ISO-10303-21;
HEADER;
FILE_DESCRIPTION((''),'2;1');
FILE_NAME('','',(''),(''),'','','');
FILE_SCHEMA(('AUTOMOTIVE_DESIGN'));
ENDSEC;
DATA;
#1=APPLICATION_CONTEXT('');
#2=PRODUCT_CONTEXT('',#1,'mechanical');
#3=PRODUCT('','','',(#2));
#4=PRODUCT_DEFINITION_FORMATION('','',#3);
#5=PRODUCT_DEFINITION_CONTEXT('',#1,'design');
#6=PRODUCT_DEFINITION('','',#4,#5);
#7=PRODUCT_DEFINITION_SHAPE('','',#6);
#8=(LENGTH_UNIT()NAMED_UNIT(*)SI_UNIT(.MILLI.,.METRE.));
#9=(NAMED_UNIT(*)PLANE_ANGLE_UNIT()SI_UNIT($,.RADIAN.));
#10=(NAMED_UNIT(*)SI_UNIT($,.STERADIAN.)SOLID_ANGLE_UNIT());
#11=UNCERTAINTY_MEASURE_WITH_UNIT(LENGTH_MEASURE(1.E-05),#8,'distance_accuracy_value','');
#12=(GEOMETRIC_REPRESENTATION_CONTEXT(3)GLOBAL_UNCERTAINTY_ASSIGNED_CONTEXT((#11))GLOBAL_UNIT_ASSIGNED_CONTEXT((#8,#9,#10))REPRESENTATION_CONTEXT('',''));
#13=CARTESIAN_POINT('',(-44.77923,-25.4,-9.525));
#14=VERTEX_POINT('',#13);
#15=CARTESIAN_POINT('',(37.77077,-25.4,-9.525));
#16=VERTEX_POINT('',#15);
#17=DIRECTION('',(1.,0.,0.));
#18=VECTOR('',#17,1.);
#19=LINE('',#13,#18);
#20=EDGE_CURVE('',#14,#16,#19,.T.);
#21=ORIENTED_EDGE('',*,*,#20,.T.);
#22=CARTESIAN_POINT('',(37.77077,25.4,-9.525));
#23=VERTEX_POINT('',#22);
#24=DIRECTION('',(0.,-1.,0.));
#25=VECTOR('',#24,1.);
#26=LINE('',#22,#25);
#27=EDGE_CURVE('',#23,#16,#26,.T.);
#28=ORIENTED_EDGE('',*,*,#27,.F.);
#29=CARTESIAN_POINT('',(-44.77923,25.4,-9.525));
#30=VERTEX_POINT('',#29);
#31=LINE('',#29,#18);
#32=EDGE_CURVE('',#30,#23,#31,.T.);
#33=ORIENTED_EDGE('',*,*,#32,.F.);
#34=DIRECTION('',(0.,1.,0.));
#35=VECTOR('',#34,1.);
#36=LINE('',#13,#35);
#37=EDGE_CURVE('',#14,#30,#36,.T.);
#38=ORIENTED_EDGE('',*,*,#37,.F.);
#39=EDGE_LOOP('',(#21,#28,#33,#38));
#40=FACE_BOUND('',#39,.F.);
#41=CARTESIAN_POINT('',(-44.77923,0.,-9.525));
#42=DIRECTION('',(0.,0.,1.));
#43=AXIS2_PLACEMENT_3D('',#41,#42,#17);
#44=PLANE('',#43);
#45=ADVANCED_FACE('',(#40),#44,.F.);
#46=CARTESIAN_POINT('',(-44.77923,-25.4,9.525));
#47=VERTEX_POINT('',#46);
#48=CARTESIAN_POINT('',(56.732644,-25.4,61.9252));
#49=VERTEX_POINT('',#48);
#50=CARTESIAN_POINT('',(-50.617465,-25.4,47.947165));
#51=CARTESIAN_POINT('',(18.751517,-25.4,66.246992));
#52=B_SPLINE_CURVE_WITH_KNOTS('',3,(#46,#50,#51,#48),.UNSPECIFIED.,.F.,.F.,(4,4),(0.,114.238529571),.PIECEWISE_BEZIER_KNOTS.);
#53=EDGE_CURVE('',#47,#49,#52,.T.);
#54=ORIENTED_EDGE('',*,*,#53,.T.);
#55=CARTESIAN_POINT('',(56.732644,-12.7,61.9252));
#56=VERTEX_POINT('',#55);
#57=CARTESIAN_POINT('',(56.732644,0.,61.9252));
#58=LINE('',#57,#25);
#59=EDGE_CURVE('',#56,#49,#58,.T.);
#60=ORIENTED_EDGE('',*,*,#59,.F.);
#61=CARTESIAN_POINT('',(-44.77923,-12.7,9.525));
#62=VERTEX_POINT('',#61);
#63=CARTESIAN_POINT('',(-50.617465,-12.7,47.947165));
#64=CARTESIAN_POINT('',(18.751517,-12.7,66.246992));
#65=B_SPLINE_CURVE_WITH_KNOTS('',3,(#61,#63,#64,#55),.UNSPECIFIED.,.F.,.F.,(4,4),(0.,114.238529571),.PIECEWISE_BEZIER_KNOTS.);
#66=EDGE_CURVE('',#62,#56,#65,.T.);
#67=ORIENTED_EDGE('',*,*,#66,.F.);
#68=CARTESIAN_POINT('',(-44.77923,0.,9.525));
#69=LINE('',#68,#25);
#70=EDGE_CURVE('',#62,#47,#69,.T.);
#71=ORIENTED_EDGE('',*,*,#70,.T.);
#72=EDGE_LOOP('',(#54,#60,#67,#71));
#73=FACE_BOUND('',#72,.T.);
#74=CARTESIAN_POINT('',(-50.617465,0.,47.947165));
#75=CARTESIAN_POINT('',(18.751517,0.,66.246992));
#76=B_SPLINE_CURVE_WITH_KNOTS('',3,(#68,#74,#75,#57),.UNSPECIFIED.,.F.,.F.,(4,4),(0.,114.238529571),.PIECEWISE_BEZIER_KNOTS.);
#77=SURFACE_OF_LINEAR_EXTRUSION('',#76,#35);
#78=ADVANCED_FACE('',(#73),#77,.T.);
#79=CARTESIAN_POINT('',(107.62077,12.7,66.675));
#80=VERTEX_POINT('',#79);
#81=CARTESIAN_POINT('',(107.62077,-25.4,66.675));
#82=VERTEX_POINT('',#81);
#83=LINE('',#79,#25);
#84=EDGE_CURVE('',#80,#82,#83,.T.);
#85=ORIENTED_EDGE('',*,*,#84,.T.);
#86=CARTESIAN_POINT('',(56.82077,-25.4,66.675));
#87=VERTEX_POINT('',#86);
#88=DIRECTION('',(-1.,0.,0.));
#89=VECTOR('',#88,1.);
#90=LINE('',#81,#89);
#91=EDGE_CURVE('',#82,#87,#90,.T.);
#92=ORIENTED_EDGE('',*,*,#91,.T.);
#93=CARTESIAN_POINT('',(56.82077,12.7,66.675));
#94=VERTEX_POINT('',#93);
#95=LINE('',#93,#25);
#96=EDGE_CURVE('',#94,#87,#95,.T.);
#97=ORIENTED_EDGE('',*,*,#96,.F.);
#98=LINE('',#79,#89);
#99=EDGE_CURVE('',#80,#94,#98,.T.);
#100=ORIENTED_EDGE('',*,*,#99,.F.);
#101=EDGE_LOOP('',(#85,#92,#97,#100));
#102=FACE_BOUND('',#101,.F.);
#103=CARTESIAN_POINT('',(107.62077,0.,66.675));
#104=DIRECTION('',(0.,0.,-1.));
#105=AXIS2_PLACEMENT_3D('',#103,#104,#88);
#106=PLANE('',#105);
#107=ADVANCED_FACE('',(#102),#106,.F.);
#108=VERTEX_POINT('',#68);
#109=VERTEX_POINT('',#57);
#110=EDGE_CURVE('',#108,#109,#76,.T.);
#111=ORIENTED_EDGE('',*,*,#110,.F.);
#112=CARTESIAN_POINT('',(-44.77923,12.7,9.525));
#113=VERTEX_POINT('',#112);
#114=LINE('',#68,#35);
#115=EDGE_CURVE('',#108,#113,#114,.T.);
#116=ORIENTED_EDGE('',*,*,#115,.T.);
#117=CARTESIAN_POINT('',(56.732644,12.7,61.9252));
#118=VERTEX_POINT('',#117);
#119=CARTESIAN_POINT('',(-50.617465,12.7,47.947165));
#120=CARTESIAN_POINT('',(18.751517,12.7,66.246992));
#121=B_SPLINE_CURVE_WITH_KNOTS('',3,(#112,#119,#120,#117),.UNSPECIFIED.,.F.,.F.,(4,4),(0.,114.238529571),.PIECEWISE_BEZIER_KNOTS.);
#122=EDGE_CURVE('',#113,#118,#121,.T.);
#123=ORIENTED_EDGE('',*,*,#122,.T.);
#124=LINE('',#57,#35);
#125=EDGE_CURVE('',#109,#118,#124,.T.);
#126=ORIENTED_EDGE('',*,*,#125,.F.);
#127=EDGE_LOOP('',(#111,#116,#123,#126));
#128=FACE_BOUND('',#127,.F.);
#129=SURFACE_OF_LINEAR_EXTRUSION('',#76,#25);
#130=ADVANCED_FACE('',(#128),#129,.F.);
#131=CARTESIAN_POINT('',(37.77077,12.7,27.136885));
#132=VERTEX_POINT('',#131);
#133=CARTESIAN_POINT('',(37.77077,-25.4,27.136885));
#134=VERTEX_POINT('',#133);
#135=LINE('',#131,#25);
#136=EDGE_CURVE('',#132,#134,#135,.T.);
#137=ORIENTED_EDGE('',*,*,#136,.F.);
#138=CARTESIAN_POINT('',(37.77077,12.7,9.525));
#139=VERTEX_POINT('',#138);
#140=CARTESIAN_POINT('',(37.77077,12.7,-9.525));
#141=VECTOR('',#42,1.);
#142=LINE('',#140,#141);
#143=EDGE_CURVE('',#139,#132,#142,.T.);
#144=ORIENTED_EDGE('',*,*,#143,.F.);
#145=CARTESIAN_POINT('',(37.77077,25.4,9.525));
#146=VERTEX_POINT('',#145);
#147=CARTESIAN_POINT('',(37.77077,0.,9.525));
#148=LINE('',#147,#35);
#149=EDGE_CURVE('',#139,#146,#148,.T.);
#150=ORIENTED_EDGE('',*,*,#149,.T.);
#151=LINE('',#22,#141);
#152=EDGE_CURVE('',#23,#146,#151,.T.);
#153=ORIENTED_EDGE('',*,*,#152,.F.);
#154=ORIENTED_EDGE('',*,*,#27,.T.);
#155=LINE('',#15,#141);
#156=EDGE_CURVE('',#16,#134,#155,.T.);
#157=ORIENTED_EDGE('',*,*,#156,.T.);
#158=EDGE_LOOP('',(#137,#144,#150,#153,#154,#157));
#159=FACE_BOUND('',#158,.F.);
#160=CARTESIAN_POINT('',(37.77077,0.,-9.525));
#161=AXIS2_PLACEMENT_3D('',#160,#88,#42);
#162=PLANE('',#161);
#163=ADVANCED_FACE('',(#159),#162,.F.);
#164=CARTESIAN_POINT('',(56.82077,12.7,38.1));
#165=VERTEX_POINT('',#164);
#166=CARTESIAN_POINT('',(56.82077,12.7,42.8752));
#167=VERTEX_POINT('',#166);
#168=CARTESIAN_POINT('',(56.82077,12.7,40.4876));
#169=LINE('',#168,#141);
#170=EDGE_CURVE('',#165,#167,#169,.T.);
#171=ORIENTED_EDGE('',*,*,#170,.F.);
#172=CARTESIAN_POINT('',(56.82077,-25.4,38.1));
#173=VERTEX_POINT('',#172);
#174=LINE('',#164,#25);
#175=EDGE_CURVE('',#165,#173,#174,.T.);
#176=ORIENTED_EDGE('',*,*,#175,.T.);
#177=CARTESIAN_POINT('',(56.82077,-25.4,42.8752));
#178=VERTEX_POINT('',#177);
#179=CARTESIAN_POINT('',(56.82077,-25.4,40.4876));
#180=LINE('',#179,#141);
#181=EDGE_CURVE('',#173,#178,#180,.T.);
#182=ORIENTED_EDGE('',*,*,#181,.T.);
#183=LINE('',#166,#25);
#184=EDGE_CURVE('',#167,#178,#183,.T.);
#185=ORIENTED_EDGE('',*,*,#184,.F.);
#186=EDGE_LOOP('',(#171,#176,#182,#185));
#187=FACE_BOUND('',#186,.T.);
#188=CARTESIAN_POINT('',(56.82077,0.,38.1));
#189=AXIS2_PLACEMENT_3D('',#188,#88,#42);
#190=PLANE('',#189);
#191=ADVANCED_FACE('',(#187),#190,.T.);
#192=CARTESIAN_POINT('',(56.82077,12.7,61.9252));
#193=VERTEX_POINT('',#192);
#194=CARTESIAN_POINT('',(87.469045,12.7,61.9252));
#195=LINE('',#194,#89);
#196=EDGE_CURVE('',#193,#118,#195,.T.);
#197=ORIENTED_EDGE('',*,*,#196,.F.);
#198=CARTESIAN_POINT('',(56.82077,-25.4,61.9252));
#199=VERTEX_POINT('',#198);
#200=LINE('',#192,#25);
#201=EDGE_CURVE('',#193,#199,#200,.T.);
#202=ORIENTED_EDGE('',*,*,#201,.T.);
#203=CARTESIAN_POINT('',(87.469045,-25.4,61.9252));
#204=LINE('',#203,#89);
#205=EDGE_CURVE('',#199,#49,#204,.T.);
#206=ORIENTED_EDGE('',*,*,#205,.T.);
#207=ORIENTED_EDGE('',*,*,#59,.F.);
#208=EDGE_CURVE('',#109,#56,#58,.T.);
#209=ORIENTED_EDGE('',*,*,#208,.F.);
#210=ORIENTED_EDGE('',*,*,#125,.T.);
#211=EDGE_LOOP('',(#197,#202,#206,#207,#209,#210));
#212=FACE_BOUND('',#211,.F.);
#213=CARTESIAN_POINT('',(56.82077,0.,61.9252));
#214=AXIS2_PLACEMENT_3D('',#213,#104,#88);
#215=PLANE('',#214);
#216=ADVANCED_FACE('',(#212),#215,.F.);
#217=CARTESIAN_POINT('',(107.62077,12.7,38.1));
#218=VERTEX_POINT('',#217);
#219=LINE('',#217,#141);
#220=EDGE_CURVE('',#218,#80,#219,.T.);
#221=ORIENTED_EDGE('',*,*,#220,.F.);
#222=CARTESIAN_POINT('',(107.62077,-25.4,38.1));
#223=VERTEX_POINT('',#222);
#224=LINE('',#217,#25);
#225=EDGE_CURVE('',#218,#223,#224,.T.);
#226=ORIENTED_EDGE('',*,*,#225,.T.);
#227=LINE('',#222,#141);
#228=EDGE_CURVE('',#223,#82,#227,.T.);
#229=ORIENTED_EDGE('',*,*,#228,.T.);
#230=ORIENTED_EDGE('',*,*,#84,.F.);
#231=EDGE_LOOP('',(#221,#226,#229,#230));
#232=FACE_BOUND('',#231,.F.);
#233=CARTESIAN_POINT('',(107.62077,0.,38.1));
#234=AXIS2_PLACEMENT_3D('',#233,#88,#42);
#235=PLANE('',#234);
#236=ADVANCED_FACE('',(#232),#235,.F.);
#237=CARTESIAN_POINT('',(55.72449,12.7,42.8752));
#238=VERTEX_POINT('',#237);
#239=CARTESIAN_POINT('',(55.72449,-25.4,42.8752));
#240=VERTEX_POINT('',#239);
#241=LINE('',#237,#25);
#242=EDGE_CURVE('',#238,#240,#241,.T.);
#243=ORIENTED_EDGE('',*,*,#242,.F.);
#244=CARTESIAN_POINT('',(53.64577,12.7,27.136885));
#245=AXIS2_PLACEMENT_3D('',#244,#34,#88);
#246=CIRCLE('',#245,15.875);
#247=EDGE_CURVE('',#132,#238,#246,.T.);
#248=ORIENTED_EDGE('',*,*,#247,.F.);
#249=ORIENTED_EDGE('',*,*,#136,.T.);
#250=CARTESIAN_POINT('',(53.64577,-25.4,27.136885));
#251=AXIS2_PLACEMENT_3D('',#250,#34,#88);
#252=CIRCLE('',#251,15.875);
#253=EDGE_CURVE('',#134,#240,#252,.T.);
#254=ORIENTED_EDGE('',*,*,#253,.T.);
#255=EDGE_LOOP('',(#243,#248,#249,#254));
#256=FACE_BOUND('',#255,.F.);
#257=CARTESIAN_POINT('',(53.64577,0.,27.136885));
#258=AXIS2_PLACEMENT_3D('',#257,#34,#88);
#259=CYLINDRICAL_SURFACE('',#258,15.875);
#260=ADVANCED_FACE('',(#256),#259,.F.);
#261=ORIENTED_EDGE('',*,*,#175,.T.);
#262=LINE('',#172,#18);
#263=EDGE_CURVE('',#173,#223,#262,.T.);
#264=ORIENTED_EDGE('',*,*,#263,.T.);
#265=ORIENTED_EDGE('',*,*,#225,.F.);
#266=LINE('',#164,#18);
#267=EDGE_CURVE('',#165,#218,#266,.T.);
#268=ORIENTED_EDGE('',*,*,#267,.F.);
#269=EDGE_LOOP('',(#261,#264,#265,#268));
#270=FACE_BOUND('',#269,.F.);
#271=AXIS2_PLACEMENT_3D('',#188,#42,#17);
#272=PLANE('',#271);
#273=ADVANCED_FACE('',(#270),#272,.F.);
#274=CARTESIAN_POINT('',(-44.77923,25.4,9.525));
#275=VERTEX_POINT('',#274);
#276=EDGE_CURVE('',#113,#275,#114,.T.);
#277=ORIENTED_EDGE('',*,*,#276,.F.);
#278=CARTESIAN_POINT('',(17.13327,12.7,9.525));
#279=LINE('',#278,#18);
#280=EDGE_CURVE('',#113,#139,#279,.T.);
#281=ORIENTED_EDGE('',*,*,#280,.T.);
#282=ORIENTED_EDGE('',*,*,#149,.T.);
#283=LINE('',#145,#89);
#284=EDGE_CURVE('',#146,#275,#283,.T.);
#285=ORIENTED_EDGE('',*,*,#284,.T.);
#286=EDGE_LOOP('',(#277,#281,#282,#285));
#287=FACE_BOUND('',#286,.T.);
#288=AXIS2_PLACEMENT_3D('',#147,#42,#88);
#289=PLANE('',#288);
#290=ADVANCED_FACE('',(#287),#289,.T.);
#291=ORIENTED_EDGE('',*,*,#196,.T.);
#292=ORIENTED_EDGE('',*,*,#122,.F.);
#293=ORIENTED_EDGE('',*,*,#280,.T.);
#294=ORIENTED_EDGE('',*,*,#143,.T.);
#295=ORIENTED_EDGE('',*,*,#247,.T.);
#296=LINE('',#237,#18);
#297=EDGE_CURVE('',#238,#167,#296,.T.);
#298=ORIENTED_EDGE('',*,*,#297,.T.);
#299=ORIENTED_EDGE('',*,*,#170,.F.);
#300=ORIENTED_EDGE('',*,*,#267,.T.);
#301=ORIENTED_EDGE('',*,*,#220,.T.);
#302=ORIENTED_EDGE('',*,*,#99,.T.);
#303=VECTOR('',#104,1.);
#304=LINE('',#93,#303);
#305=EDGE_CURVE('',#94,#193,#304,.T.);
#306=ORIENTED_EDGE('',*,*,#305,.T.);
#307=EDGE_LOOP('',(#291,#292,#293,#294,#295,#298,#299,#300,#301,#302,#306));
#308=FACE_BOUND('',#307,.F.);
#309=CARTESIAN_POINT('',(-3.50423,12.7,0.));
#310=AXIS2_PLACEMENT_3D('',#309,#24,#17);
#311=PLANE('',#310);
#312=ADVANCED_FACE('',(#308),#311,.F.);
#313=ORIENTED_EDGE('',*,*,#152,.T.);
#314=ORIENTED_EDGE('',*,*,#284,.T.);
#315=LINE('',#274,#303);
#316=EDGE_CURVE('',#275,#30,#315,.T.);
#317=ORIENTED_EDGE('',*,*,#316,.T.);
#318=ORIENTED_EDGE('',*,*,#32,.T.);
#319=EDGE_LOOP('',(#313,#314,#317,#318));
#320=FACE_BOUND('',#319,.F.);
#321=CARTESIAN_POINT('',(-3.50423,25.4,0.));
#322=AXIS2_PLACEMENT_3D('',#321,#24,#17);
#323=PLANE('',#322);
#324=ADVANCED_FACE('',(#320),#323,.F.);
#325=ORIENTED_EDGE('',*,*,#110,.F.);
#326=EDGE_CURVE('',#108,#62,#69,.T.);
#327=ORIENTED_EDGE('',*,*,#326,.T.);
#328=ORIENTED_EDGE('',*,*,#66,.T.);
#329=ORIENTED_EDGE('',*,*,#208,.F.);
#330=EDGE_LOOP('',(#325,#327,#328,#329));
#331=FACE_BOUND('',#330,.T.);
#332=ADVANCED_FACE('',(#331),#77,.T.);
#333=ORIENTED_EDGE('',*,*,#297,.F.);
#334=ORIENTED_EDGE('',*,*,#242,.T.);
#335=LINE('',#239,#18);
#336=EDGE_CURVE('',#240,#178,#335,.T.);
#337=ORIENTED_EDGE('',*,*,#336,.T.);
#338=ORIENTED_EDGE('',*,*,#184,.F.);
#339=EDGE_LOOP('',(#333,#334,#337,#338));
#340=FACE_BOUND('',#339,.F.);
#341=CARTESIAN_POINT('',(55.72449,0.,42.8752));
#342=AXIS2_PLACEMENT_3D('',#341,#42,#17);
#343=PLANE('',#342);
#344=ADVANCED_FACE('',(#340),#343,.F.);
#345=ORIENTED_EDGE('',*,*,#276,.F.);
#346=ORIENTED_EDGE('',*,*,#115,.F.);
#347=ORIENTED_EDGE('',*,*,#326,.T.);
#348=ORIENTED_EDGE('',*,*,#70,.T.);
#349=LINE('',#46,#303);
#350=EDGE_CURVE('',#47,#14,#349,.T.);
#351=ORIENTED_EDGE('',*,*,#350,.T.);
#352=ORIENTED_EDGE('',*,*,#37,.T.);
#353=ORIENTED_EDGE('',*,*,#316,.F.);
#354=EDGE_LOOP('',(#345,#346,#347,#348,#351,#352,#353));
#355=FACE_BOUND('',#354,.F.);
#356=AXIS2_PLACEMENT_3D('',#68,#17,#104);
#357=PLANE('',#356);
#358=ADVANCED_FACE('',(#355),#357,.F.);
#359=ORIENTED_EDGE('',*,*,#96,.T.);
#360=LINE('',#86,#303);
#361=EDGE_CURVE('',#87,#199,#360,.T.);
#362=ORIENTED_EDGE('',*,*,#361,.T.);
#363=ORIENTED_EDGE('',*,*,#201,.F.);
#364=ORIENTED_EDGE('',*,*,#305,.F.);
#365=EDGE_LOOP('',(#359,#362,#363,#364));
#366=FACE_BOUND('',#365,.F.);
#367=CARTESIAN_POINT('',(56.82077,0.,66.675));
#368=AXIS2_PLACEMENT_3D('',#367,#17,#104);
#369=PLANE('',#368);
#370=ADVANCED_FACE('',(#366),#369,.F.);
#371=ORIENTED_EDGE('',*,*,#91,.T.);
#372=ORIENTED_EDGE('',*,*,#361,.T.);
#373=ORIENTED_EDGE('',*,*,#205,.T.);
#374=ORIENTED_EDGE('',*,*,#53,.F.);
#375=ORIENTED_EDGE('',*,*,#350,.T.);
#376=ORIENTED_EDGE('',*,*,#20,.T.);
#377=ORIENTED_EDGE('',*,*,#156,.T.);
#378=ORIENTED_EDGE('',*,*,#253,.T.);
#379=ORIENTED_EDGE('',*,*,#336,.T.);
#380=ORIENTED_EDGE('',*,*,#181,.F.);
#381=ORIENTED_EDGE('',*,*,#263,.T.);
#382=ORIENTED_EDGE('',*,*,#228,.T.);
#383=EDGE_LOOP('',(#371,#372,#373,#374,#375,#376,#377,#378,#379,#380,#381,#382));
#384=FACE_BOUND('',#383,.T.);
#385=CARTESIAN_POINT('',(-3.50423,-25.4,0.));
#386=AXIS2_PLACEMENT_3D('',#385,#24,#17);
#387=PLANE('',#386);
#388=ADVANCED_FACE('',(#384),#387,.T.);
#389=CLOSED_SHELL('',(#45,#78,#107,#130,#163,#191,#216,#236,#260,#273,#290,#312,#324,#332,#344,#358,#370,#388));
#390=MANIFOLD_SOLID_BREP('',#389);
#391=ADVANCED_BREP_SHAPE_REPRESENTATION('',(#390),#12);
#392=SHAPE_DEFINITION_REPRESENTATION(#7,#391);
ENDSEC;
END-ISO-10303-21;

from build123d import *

# Parameters (mm, degrees)
F1_DEPTH = 25.4
F0_W     = 30.6482749184
F0_H     = 19.05
F0_H_2   = 4.7752
F2_DEPTH = 12.7
F3_DEPTH = 25.4


with BuildPart() as f1:
    # F0 (on Front) → F1 (new body)
    with BuildSketch(Plane.XZ):
        Polygon((-44.7792303854, -9.525), (37.7707696146, -9.525), (37.7707696146, 9.525), (18.7207696146, 9.525), (-44.7792303854, 9.525), align=None)
    extrude(amount=-F1_DEPTH)

    # F0 (on Front) → F2 (join, symmetric)
    with BuildSketch(Plane.XZ):
        Polygon((-44.7792303854, -9.525), (37.7707696146, -9.525), (37.7707696146, 9.525), (18.7207696146, 9.525), (-44.7792303854, 9.525), align=None)
        with BuildLine():
            Line((18.7207696146, 9.525), (37.7707696146, 9.525))
            Line((37.7707696146, 9.525), (37.7707696146, 27.1368854333))
            ThreePointArc((37.7707696146, 27.1368854333), (43.1811641643, 39.0745425639), (55.7244902785, 42.8752))
            Line((55.7244902785, 42.8752), (56.8207696146, 42.8752))
            Line((56.8207696146, 42.8752), (56.8207696146, 61.9252))
            Line((56.8207696146, 61.9252), (56.7326441838, 61.9252))
            ThreePointArc((56.7326441838, 61.9252), (30.0666842775, 52.9008594991), (18.7207696146, 27.1368854333))
            Line((18.7207696146, 27.1368854333), (18.7207696146, 9.525))
        make_face()
        with BuildLine():
            add(Edge.make_bspline(
                [(-44.7792303854, 9.525), (-50.61746484, 47.9471649566), (18.7515171766, 66.2469923459), (56.7326441838, 61.9252)],
                knots=[0, 0, 0, 0, 114.2385295712, 114.2385295712, 114.2385295712, 114.2385295712], degree=3))
            Line((-44.7792303854, 9.525), (18.7207696146, 9.525))
            Line((18.7207696146, 9.525), (18.7207696146, 27.1368854333))
            ThreePointArc((18.7207696146, 27.1368854333), (30.0666842775, 52.9008594991), (56.7326441838, 61.9252))
        make_face()
        with Locations((72.1449070738, 52.4002)):
            Rectangle(F0_W, F0_H)
        Polygon((56.8207696146, 66.675), (56.8207696146, 61.9252), (87.469044533, 61.9252), (87.469044533, 42.8752), (87.469044533, 38.1), (107.6207696146, 38.1), (107.6207696146, 66.675), align=None)
        with Locations((72.1449070738, 40.4876)):
            Rectangle(F0_W, F0_H_2)
    extrude(amount=F2_DEPTH, both=True)

    # F0 (on Front) → F3 (join)
    with BuildSketch(Plane.XZ):
        Polygon((-44.7792303854, -9.525), (37.7707696146, -9.525), (37.7707696146, 9.525), (18.7207696146, 9.525), (-44.7792303854, 9.525), align=None)
        with BuildLine():
            Line((18.7207696146, 9.525), (37.7707696146, 9.525))
            Line((37.7707696146, 9.525), (37.7707696146, 27.1368854333))
            ThreePointArc((37.7707696146, 27.1368854333), (43.1811641643, 39.0745425639), (55.7244902785, 42.8752))
            Line((55.7244902785, 42.8752), (56.8207696146, 42.8752))
            Line((56.8207696146, 42.8752), (56.8207696146, 61.9252))
            Line((56.8207696146, 61.9252), (56.7326441838, 61.9252))
            ThreePointArc((56.7326441838, 61.9252), (30.0666842775, 52.9008594991), (18.7207696146, 27.1368854333))
            Line((18.7207696146, 27.1368854333), (18.7207696146, 9.525))
        make_face()
        with BuildLine():
            add(Edge.make_bspline(
                [(-44.7792303854, 9.525), (-50.61746484, 47.9471649566), (18.7515171766, 66.2469923459), (56.7326441838, 61.9252)],
                knots=[0, 0, 0, 0, 114.2385295712, 114.2385295712, 114.2385295712, 114.2385295712], degree=3))
            Line((-44.7792303854, 9.525), (18.7207696146, 9.525))
            Line((18.7207696146, 9.525), (18.7207696146, 27.1368854333))
            ThreePointArc((18.7207696146, 27.1368854333), (30.0666842775, 52.9008594991), (56.7326441838, 61.9252))
        make_face()
        with Locations((72.1449070738, 52.4002)):
            Rectangle(F0_W, F0_H)
        Polygon((56.8207696146, 66.675), (56.8207696146, 61.9252), (87.469044533, 61.9252), (87.469044533, 42.8752), (87.469044533, 38.1), (107.6207696146, 38.1), (107.6207696146, 66.675), align=None)
        with Locations((72.1449070738, 40.4876)):
            Rectangle(F0_W, F0_H_2)
    extrude(amount=F3_DEPTH)


solid = f1.part
